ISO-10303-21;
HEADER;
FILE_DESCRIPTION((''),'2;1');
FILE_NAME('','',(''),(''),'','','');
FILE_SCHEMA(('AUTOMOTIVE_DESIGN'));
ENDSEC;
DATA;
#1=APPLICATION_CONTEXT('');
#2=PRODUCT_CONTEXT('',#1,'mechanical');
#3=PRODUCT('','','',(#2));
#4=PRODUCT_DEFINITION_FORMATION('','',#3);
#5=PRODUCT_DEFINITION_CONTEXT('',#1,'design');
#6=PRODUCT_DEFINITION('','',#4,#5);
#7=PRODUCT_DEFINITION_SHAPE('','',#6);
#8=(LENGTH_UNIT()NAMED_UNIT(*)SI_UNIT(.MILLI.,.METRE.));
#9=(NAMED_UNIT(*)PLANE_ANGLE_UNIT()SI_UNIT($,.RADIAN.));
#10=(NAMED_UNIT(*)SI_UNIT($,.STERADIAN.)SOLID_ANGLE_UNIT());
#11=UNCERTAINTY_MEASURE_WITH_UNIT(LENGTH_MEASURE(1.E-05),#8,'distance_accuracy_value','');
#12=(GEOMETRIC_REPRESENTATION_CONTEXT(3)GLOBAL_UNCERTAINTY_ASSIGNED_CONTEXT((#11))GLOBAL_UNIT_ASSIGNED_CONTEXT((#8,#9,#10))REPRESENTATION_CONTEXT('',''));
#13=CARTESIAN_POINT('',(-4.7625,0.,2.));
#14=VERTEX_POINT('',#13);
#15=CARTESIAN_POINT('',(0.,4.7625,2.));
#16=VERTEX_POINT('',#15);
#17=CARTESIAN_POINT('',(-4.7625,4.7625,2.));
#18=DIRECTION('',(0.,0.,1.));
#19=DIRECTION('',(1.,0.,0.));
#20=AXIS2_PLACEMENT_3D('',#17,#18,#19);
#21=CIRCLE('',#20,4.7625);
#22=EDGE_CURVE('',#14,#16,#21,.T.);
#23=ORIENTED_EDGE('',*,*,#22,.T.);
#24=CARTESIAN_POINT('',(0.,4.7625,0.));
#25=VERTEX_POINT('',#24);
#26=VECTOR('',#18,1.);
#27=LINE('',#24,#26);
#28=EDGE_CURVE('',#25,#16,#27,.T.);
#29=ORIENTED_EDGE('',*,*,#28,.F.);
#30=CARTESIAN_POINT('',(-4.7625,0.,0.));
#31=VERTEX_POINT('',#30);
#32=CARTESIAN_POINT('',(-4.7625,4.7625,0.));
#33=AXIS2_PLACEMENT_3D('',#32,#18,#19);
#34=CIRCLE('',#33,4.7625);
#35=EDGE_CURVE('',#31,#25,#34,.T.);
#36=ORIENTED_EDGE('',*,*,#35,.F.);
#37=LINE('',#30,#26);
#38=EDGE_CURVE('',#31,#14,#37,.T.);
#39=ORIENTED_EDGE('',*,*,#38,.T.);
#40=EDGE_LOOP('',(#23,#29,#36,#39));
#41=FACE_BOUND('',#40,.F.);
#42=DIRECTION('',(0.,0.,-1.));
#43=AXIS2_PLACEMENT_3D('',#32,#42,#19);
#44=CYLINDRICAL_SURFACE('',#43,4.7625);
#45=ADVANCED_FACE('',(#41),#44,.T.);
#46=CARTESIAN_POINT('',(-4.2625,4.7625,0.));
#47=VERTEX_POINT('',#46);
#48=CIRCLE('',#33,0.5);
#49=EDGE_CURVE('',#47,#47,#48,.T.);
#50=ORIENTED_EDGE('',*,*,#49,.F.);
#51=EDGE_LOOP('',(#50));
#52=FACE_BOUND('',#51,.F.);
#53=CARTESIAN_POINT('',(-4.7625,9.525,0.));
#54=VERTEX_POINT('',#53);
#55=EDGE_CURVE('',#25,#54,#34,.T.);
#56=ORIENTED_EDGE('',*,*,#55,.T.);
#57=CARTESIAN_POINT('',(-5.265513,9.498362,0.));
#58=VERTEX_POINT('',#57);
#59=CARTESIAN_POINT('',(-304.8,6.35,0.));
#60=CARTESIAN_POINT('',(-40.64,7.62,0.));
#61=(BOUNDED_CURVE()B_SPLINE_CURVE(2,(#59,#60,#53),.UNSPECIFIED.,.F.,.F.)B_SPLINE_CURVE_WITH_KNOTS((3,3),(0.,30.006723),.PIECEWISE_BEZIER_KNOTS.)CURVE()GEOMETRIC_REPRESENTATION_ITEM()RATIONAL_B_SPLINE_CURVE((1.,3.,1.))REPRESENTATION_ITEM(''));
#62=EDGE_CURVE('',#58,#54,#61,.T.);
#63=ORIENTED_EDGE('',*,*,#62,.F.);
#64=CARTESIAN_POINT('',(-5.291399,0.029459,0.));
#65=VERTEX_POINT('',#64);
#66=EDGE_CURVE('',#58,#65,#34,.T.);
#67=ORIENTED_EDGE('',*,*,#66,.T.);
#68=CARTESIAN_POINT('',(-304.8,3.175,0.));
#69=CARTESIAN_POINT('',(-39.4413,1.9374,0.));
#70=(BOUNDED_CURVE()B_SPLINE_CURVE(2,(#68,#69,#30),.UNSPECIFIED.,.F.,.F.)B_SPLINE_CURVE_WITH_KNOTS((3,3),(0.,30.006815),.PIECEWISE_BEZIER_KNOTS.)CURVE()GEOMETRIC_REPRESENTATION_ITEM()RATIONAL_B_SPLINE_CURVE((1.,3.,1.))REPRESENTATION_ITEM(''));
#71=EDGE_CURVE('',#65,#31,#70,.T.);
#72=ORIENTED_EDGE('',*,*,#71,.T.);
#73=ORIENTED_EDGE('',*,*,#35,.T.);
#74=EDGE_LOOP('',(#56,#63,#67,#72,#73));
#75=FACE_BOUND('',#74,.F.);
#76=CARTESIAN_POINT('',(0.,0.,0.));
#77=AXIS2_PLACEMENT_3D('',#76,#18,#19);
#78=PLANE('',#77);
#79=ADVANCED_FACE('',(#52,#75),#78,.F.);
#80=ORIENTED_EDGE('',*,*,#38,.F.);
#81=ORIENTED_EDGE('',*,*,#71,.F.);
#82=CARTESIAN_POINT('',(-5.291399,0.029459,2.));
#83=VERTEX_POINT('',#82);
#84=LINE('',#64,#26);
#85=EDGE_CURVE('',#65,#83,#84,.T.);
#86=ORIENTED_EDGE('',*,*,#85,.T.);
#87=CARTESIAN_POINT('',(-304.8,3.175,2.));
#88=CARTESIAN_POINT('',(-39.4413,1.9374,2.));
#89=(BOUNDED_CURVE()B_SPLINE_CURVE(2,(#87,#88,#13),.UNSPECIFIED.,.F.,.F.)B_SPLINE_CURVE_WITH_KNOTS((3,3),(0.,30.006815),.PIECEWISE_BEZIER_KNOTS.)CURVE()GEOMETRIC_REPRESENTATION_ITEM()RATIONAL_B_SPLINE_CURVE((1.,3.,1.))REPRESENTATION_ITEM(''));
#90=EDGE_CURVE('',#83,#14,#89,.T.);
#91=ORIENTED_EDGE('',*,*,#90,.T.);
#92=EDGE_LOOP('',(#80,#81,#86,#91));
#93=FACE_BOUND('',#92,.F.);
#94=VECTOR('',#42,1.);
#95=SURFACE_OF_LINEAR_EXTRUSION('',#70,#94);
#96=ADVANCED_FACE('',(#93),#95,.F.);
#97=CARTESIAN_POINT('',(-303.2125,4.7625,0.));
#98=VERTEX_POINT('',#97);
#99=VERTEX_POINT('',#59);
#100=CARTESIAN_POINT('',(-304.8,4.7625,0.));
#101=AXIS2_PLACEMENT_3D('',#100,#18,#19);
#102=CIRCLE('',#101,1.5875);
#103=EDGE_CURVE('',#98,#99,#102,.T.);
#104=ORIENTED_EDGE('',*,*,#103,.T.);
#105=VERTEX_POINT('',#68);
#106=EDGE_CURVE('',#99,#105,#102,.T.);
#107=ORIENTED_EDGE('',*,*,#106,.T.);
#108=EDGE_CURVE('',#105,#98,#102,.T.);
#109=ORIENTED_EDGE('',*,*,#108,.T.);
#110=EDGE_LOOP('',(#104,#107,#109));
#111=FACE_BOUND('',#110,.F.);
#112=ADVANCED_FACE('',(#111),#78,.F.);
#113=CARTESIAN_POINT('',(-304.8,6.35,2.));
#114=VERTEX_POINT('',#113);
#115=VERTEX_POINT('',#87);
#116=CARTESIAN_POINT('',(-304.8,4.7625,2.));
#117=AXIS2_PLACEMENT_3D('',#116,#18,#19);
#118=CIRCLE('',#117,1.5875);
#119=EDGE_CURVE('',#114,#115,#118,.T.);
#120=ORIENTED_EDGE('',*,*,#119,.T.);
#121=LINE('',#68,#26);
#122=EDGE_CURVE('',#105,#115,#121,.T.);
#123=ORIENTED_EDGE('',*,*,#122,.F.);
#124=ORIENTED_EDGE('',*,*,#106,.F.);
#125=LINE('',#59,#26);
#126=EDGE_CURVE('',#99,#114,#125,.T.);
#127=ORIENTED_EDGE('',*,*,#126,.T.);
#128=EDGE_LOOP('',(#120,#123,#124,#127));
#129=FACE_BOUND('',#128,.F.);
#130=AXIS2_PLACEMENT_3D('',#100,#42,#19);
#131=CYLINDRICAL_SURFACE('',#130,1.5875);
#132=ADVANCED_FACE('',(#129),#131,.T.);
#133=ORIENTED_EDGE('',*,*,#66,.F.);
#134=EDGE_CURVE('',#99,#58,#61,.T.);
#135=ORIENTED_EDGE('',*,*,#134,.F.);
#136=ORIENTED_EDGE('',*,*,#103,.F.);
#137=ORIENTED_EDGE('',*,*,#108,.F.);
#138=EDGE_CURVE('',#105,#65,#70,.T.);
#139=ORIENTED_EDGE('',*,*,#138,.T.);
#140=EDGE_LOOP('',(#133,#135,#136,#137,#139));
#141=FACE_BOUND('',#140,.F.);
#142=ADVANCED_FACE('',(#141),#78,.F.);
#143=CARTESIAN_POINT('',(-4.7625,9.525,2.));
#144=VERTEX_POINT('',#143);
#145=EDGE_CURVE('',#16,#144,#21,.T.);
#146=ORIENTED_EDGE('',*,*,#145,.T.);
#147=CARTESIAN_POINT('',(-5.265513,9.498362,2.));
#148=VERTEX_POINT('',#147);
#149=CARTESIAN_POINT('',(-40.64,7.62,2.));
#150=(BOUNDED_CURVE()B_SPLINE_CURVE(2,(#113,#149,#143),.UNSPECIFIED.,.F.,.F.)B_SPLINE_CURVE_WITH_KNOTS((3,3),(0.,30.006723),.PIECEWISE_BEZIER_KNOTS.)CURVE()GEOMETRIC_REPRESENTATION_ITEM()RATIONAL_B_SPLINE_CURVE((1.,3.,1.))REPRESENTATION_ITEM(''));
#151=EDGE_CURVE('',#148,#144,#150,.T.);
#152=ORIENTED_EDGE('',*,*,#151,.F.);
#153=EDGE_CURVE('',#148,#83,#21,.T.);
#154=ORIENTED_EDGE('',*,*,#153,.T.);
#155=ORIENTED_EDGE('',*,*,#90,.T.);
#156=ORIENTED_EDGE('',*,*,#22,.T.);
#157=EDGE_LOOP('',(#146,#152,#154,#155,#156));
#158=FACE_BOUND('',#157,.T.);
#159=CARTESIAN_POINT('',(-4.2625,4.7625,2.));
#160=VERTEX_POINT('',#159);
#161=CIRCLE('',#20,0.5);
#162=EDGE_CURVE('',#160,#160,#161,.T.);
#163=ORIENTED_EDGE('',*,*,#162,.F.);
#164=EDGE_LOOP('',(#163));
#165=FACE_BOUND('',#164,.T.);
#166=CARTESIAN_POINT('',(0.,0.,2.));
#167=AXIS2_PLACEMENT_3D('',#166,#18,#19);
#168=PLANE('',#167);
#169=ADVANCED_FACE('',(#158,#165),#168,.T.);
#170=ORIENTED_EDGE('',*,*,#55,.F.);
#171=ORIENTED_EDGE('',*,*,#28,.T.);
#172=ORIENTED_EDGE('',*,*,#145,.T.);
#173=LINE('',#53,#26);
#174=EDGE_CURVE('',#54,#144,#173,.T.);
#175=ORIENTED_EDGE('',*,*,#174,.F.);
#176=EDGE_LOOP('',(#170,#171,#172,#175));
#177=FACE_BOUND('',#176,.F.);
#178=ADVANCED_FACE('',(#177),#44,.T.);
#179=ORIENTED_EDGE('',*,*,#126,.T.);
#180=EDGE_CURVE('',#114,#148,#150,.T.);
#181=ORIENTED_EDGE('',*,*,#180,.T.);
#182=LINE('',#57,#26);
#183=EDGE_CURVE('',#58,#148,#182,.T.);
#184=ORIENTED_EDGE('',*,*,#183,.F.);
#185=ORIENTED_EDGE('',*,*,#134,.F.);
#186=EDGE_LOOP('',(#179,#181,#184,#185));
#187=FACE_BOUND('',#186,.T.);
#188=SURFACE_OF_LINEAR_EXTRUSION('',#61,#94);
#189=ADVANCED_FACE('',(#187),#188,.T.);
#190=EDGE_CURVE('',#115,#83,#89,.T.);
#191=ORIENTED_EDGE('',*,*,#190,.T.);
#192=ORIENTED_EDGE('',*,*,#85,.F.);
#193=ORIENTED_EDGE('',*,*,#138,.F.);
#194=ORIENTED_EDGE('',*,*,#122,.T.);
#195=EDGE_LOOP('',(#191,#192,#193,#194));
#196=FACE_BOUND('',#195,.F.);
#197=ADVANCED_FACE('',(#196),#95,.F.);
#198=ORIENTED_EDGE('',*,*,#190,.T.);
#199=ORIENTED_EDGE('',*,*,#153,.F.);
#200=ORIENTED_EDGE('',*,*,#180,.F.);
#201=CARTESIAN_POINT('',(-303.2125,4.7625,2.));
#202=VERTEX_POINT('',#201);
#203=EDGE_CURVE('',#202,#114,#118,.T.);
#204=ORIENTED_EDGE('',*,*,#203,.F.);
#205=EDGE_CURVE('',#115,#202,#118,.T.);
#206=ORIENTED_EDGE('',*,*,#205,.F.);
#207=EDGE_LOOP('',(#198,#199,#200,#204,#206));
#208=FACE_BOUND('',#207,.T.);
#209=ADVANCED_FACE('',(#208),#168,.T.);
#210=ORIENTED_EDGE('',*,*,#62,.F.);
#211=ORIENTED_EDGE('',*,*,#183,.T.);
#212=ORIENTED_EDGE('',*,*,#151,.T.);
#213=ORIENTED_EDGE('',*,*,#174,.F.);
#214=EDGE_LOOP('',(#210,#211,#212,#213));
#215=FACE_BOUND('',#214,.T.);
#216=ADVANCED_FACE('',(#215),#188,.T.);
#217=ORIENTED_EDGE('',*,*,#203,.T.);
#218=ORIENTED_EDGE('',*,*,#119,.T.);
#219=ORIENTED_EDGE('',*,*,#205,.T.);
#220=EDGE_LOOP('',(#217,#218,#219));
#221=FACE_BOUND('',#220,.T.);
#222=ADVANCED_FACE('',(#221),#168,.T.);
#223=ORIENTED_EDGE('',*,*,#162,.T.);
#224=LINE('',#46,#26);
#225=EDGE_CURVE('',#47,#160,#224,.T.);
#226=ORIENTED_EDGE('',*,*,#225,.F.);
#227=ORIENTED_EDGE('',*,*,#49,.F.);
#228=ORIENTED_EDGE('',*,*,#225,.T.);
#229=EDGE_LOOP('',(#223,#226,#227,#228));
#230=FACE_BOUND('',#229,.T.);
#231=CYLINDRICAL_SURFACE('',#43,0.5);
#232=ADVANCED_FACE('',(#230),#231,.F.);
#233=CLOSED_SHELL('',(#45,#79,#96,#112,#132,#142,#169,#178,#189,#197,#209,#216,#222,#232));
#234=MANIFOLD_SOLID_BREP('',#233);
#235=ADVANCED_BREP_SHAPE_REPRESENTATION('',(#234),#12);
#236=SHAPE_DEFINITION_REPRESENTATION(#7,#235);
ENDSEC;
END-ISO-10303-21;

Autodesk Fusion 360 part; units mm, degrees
sketch "Sketch1" plane through (0, 0, 0) normal (0, 0, 1) x (1, 0, 0)
  circle A0 centre (-4.7625, 4.7625) radius 4.7625
  circle A1 centre (-4.7625, 4.7625) radius 0.5
  circle A2 centre (-304.8, 4.7625) radius 1.5875
  spline S0 degree 2 poles (-304.8, 3.175) (-39.4413, 1.9374) (-4.7625, 0) knots 0 0 0 30.006815 30.006815 30.006815 weights 1 3 1
  spline S1 degree 2 poles (-304.8, 6.35) (-40.64, 7.62) (-4.7625, 9.525) knots 0 0 0 30.006723 30.006723 30.006723 weights 1 3 1
  dimension "d3" = 1
  dimension "d4" = 3.175
extrude "Extrude1" add sketch "Sketch1" along normal blind 2 contours A0 S0 S1 | A0 A2 S0 S1 | A2
